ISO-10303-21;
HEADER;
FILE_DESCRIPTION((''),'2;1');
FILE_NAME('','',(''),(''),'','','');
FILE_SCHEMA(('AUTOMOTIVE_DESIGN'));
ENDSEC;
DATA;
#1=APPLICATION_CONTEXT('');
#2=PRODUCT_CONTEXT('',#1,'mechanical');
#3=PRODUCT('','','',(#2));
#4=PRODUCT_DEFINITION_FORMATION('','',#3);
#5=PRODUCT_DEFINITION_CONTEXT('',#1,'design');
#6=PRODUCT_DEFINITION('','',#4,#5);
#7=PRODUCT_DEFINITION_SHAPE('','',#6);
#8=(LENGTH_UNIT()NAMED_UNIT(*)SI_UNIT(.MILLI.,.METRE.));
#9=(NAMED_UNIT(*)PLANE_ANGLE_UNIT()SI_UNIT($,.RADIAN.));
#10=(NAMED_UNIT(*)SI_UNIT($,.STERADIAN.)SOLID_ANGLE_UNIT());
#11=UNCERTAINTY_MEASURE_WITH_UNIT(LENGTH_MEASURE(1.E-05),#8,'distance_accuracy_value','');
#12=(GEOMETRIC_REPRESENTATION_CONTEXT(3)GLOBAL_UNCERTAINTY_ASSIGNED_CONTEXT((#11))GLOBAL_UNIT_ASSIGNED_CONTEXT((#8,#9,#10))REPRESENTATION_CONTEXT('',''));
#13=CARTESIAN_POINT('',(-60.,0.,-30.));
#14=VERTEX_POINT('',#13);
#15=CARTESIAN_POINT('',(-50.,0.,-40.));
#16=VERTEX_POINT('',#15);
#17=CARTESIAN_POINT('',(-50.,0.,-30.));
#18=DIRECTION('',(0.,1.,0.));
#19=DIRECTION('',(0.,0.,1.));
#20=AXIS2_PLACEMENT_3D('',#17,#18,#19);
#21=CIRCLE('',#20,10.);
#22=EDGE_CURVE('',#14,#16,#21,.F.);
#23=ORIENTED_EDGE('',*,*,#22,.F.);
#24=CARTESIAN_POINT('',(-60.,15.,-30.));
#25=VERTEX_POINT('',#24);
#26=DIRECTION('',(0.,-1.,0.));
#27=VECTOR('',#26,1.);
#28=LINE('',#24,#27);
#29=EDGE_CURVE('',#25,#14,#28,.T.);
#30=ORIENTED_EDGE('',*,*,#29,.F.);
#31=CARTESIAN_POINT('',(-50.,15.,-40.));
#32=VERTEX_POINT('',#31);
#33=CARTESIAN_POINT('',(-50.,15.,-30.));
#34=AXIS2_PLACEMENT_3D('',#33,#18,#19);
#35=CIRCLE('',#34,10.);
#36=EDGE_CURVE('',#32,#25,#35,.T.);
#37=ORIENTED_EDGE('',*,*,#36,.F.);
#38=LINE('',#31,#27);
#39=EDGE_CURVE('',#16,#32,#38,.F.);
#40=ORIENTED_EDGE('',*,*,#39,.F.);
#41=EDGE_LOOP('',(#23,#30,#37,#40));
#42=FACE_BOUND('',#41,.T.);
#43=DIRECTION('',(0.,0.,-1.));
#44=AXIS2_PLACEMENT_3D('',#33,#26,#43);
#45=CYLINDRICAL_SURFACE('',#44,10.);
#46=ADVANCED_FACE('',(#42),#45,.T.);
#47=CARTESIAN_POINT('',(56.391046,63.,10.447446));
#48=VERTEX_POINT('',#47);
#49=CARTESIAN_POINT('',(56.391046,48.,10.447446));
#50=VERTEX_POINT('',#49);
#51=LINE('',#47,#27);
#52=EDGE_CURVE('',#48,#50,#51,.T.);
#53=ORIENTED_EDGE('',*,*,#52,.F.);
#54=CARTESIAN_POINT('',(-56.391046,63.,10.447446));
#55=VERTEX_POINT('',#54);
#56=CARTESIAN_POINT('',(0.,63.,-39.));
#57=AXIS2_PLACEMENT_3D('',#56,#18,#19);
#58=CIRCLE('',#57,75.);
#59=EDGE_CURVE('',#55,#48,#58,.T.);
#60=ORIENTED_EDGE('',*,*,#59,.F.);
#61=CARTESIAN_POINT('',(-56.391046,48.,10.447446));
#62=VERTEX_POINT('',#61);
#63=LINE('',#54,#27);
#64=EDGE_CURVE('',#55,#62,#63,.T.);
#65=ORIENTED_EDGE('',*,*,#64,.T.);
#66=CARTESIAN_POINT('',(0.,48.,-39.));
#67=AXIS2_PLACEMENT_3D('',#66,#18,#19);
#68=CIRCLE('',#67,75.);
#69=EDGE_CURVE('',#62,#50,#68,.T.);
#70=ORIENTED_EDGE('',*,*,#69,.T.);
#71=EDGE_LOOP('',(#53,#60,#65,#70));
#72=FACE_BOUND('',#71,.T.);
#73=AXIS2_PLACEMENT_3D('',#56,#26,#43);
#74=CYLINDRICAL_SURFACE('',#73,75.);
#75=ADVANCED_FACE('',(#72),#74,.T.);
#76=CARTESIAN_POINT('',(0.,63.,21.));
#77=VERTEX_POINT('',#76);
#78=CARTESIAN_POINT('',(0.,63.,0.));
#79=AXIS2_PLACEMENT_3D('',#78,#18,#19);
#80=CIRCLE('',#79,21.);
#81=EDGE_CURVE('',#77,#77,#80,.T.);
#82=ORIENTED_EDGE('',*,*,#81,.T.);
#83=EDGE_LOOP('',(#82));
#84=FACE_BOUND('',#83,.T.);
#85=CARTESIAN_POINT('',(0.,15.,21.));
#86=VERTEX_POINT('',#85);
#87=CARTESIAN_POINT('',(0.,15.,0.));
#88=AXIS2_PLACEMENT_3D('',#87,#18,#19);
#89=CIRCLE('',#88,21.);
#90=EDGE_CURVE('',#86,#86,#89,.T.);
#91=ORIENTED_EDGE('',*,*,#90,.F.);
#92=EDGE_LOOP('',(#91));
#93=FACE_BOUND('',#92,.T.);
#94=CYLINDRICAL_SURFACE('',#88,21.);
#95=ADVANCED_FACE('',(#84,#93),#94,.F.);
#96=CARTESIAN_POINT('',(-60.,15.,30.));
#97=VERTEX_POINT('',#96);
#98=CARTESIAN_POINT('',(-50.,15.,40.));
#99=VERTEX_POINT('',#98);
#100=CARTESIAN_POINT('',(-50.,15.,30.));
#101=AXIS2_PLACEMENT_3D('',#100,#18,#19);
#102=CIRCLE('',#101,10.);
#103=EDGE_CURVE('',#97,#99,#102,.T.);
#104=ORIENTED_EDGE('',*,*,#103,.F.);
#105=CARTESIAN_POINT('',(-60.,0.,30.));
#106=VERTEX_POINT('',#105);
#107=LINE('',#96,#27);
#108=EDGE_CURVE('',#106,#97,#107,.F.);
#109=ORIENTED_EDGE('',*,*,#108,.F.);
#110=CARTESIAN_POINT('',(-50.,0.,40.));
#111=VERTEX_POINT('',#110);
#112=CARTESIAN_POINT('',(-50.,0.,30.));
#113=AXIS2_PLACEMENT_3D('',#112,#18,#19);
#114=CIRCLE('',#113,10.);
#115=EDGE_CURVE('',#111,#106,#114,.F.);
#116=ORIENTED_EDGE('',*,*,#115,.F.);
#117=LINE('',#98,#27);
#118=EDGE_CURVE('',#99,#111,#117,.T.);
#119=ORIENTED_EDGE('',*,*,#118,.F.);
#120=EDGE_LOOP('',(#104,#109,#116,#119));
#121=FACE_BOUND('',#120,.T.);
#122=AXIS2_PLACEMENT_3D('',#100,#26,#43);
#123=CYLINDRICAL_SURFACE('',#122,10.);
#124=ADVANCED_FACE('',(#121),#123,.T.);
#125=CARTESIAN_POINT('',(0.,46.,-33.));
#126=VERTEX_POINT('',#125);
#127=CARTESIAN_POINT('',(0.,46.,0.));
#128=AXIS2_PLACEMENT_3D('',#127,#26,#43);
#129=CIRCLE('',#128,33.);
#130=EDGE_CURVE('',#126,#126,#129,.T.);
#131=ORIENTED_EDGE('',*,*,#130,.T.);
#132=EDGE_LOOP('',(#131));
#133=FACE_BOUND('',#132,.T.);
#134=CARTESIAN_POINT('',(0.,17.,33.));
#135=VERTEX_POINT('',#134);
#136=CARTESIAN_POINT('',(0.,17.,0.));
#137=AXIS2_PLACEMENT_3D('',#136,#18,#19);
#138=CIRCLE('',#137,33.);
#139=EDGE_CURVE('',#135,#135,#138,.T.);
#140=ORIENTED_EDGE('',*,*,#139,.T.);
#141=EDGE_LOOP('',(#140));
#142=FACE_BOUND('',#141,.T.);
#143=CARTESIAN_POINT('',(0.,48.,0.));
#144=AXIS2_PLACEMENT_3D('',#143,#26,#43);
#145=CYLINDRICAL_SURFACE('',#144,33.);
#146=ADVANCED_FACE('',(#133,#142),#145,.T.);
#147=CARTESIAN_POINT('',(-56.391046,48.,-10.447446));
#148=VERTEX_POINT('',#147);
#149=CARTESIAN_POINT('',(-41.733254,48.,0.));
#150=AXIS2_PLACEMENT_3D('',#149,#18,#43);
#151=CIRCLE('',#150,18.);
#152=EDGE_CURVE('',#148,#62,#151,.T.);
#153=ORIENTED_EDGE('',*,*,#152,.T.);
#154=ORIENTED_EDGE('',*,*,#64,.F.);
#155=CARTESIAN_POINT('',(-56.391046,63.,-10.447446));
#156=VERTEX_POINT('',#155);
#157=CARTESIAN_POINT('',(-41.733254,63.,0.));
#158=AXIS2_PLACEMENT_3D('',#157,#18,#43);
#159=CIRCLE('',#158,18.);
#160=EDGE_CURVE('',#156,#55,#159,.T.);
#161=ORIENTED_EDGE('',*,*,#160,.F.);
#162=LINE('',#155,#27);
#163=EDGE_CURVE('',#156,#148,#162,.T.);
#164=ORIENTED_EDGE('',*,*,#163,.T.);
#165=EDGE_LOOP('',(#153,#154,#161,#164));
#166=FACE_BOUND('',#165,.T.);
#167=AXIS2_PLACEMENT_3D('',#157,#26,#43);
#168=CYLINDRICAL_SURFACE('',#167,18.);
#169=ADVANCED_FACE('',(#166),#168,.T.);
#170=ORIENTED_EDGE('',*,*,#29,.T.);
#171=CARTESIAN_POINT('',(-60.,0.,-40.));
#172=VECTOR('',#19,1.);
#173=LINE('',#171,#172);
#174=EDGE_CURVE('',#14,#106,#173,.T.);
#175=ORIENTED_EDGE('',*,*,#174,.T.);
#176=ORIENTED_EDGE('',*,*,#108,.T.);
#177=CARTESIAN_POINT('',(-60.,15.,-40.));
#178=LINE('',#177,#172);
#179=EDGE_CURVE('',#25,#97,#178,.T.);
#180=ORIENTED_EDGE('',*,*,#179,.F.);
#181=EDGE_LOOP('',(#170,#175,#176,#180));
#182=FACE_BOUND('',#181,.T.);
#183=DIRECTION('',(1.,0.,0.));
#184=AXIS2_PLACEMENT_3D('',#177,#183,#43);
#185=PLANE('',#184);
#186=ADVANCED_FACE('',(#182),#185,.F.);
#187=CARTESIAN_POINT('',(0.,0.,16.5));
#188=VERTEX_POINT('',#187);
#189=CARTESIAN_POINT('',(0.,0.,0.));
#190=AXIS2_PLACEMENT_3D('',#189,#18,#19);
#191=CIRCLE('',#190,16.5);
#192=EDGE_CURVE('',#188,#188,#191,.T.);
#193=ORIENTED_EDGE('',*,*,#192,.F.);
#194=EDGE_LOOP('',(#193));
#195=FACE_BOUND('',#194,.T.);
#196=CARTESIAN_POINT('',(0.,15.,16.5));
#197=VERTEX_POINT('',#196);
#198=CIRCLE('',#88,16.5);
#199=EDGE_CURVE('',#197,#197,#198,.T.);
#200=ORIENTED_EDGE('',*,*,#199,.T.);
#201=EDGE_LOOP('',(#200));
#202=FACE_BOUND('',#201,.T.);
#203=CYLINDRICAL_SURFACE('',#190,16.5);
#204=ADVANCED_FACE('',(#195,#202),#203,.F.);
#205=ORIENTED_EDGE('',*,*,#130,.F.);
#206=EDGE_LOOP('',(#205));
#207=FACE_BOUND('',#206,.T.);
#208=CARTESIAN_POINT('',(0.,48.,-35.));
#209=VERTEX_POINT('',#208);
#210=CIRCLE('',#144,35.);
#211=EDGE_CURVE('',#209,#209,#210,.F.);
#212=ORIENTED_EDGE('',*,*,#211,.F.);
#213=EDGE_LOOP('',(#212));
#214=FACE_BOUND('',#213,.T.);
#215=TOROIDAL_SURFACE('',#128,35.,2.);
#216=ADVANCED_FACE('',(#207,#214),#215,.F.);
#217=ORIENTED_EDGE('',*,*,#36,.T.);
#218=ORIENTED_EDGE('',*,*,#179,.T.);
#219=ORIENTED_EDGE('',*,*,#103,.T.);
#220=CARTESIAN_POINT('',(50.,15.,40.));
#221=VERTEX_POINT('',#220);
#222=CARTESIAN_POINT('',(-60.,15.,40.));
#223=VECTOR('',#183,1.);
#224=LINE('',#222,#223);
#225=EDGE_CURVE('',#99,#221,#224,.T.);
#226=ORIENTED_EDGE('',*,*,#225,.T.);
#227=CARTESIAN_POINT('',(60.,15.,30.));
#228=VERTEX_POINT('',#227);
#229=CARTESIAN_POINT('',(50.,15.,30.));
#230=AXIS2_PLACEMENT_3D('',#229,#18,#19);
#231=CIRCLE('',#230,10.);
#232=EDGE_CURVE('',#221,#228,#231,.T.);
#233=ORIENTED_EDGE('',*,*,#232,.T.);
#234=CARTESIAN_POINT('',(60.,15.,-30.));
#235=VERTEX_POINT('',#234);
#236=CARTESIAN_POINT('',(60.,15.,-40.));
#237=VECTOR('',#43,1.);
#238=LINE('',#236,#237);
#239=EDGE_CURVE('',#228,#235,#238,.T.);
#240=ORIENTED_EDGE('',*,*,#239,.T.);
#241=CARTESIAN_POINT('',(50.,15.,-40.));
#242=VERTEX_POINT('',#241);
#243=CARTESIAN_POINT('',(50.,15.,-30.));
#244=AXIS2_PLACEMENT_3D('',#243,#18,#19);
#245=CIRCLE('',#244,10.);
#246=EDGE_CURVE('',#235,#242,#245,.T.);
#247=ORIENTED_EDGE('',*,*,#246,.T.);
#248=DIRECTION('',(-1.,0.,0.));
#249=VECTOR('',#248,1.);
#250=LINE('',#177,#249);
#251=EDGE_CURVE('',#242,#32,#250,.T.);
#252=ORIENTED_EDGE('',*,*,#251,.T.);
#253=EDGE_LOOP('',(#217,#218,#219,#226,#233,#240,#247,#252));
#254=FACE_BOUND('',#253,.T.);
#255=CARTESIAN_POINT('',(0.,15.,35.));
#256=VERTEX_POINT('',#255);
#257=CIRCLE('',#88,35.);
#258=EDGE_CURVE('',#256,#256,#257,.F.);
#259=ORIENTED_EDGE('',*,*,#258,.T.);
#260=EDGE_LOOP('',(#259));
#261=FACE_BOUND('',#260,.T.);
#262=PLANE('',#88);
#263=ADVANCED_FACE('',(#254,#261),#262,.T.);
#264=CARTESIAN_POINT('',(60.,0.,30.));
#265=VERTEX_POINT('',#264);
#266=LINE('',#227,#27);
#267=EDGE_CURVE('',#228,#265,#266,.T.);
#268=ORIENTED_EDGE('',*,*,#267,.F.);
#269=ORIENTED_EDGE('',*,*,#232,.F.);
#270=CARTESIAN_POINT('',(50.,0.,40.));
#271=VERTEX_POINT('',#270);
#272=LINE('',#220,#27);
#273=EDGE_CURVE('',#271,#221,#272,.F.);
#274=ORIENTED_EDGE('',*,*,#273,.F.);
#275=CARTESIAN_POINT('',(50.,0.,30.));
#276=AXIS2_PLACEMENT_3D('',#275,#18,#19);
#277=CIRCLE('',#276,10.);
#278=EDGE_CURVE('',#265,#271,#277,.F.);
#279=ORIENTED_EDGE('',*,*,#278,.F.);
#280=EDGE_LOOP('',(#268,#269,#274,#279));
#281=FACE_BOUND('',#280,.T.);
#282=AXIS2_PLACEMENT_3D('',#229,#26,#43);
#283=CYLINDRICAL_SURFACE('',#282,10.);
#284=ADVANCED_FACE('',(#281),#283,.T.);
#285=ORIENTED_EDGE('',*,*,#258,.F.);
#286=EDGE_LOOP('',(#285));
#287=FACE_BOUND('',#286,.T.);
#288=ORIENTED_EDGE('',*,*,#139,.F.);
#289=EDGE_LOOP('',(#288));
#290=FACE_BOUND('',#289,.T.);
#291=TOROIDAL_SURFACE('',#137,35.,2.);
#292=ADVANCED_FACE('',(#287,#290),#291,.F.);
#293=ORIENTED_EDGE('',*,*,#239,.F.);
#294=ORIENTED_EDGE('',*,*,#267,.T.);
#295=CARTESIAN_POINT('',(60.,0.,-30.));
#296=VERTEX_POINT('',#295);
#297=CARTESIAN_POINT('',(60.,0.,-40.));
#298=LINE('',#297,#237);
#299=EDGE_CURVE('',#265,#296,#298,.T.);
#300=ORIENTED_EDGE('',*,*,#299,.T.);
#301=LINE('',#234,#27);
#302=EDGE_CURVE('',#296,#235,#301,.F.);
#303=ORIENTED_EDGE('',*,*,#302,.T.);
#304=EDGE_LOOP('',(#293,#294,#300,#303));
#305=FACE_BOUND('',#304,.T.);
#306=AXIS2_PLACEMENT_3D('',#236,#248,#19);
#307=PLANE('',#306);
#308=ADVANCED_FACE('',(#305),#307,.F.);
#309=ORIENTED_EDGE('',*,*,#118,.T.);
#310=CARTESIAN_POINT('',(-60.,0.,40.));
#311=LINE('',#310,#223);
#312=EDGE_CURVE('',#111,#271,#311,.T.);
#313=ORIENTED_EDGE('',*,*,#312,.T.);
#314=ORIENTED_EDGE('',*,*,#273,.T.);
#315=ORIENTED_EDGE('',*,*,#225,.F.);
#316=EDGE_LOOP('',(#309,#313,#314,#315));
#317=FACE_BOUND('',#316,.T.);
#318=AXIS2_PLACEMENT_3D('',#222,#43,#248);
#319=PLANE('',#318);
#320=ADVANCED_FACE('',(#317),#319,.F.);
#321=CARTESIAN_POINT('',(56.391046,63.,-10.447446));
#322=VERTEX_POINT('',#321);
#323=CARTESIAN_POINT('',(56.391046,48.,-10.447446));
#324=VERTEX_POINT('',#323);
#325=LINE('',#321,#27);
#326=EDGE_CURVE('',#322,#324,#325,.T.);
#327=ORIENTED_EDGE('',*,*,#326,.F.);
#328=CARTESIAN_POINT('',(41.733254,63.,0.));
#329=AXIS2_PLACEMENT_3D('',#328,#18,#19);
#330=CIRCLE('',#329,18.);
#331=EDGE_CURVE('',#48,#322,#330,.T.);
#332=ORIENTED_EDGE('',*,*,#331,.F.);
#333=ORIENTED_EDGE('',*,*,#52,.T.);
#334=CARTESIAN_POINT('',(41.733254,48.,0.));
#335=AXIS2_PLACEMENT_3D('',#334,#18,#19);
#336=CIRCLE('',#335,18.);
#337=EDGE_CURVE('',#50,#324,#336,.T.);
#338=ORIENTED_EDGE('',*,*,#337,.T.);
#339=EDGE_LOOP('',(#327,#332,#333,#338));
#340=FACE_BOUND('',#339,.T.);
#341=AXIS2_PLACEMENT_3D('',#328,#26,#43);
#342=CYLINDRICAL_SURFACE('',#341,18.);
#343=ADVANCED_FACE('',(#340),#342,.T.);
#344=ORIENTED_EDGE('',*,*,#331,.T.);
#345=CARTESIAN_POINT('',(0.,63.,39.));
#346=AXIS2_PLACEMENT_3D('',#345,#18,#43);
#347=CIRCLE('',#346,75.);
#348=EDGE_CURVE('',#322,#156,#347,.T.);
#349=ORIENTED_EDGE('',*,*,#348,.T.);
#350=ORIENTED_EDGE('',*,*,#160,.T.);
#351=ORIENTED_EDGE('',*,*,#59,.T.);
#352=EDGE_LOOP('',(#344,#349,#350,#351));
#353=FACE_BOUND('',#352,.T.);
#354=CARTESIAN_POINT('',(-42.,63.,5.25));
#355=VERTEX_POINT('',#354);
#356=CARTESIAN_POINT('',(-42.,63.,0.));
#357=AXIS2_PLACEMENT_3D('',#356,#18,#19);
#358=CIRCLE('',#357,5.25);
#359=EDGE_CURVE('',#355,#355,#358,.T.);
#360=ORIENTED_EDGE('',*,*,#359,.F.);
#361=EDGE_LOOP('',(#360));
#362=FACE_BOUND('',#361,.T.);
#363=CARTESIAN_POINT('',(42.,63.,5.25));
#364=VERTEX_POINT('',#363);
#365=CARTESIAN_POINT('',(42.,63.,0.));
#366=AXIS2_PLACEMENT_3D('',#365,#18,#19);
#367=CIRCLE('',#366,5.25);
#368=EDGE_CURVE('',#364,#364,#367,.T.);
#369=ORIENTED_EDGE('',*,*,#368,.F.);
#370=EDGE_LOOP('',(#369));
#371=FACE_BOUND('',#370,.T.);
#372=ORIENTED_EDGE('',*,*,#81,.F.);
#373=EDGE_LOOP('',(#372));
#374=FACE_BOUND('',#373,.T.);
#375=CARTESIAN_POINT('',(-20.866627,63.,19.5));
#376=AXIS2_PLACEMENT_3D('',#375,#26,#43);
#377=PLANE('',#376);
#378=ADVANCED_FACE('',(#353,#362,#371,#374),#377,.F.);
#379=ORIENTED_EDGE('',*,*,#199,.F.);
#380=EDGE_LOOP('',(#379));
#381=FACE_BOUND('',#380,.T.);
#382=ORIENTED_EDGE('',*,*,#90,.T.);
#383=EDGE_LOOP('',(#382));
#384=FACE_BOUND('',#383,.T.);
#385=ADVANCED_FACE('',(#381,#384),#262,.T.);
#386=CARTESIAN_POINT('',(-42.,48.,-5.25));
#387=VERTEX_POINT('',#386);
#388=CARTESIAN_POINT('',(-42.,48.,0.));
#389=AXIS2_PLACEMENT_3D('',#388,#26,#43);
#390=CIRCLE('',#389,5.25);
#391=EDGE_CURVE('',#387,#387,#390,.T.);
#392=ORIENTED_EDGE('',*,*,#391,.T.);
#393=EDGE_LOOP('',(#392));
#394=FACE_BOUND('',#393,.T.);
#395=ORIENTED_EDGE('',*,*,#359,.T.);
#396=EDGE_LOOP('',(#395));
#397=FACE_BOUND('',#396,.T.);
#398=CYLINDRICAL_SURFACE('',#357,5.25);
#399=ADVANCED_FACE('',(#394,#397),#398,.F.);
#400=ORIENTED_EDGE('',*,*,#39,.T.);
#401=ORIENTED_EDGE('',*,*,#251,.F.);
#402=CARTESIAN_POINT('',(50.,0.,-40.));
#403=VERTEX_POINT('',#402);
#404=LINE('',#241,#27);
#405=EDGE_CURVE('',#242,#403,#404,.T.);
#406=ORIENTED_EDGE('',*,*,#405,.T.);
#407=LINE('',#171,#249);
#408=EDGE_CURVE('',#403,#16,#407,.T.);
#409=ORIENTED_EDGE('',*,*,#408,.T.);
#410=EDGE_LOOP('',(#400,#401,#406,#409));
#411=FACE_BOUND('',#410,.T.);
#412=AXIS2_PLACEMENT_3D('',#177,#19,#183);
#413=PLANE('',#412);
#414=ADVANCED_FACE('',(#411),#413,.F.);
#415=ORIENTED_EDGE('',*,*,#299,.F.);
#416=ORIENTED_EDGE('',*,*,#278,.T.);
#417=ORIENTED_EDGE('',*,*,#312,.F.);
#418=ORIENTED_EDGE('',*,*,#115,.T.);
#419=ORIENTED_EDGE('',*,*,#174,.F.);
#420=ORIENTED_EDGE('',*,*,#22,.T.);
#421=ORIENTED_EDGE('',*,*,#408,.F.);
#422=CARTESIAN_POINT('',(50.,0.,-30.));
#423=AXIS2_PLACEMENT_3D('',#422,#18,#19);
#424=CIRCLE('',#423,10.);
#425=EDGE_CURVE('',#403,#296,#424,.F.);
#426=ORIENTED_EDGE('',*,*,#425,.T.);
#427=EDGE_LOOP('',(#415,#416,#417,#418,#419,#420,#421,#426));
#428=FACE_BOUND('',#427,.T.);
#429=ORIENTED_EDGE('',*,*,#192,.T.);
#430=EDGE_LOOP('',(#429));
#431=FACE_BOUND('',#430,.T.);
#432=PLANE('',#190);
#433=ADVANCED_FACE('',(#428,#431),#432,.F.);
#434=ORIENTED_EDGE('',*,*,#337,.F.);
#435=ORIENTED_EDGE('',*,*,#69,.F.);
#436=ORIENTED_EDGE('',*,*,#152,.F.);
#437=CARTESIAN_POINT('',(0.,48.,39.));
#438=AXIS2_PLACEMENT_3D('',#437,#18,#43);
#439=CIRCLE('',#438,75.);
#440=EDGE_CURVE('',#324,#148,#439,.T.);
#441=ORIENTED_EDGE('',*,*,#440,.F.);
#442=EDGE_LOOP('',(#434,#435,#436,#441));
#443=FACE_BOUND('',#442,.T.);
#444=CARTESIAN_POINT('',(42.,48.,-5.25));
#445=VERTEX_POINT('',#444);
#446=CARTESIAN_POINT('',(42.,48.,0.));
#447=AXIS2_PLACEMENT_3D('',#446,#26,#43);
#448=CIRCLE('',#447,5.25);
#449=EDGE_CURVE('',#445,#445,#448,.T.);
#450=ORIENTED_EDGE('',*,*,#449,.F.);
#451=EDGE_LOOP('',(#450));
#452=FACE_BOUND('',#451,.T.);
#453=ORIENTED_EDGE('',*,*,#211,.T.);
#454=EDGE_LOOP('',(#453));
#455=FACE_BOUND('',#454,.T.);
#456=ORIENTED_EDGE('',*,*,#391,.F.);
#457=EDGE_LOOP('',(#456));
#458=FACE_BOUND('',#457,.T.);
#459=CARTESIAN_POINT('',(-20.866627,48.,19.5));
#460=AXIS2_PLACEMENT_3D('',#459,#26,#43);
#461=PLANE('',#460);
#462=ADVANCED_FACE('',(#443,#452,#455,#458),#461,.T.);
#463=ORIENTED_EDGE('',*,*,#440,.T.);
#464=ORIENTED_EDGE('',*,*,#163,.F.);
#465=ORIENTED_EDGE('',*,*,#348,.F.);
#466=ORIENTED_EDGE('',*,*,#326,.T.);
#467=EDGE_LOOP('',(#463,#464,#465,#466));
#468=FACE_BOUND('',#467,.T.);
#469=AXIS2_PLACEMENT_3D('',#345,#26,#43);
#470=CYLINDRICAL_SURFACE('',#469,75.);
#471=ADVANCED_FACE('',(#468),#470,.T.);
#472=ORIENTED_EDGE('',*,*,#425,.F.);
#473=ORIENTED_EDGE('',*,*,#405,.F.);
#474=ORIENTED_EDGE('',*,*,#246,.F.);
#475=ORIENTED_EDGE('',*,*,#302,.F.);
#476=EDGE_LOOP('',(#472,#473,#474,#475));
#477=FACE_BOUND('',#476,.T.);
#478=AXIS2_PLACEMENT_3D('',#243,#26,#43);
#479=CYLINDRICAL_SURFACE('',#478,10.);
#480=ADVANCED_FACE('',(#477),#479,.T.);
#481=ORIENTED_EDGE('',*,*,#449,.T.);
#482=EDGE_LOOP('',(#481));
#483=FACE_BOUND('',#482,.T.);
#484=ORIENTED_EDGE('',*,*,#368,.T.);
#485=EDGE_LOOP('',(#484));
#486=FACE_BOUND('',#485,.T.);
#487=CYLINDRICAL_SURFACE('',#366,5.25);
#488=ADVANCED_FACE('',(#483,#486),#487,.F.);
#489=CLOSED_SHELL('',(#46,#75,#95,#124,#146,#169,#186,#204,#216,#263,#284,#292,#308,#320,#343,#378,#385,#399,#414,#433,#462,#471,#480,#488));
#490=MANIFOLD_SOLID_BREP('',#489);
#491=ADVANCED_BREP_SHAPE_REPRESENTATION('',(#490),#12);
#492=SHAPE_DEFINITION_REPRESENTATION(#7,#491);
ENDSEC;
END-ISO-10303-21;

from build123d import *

# Parameters (mm, degrees)
SKETCH1_W                  = 120
SKETCH1_H                  = 80
BOSS_EXTRUDE1_DEPTH        = 15
SKETCH2_R                  = 33
BOSS_EXTRUDE2_DEPTH        = 48
BOSS_EXTRUDE3_DEPTH        = 15
SKETCH10_R                 = 21
CUT_EXTRUDE1_DEPTH         = 48
SKETCH11_R                 = 16.5
CUT_EXTRUDE2_DEPTH         = 15
M12X1_5_TAPPED_HOLE1_D     = 10.5
M12X1_5_TAPPED_HOLE1_DEPTH = 15
FILLET2_R                  = 2
FILLET3_R                  = 10


with BuildPart() as part:
    # Sketch1 → Boss-Extrude1 (new body)
    with BuildSketch(Plane(origin=(0, 0, 0), x_dir=(1, 0, 0), z_dir=(0, 1, 0))):
        Rectangle(SKETCH1_W, SKETCH1_H)
    extrude(amount=BOSS_EXTRUDE1_DEPTH)

    # Sketch2 → Boss-Extrude2 (add)
    with BuildSketch(Plane(origin=(0, 0, 0), x_dir=(1, 0, 0), z_dir=(0, 1, 0))):
        with Locations(Location((0, 0, 0), (0, 0, 270))):
            Circle(SKETCH2_R)
    extrude(amount=BOSS_EXTRUDE2_DEPTH)

    # Sketch3 → Boss-Extrude3 (add)
    with BuildSketch(Plane(origin=(0, 48, 0), x_dir=(1, 0, 0), z_dir=(0, 1, 0))):
        with BuildLine():
            ThreePointArc((-56.391046334, 10.447445772), (0, 36), (56.391046334, 10.447445772))
            ThreePointArc((56.391046334, 10.447445772), (59.733253975, 0), (56.391046334, -10.447445772))
            ThreePointArc((56.391046334, -10.447445772), (0, -36), (-56.391046334, -10.447445772))
            ThreePointArc((-56.391046334, -10.447445772), (-59.733253975, 0), (-56.391046334, 10.447445772))
        make_face()
    extrude(amount=BOSS_EXTRUDE3_DEPTH)

    # Sketch10 → Cut-Extrude1 (cut)
    with BuildSketch(Plane(origin=(0, 63, 0), x_dir=(1, 0, 0), z_dir=(0, 1, 0))):
        with Locations(Location((0, 0, 0), (0, 0, 270))):
            Circle(SKETCH10_R)
    extrude(amount=-CUT_EXTRUDE1_DEPTH, mode=Mode.SUBTRACT)

    # Sketch11 → Cut-Extrude2 (cut)
    with BuildSketch(Plane(origin=(0, 15, 0), x_dir=(1, 0, 0), z_dir=(0, 1, 0))):
        with Locations(Location((0, 0, 0), (0, 0, 270))):
            Circle(SKETCH11_R)
    extrude(amount=-CUT_EXTRUDE2_DEPTH, mode=Mode.SUBTRACT)

    # M12x1.5 Tapped Hole1
    with Locations(Plane(origin=(-42, 63, 0), x_dir=(0, 0, 1), z_dir=(0, 1, 0))):
        with Locations((0, 0), (0, 84)):
            Hole(M12X1_5_TAPPED_HOLE1_D / 2, depth=M12X1_5_TAPPED_HOLE1_DEPTH)

    # Fillet2
    fillet2_edges = [part.edges().sort_by_distance(p)[0] for p in [
        (0, 15, -33),
        (0, 48, -33),
    ]]
    fillet(fillet2_edges, radius=FILLET2_R)

    # Fillet3
    fillet3_edges = [part.edges().sort_by_distance(p)[0] for p in [
        (60, 7.5, 40),
        (-60, 7.5, 40),
        (-60, 7.5, -40),
        (60, 7.5, -40),
    ]]
    fillet(fillet3_edges, radius=FILLET3_R)


solid = part.part
